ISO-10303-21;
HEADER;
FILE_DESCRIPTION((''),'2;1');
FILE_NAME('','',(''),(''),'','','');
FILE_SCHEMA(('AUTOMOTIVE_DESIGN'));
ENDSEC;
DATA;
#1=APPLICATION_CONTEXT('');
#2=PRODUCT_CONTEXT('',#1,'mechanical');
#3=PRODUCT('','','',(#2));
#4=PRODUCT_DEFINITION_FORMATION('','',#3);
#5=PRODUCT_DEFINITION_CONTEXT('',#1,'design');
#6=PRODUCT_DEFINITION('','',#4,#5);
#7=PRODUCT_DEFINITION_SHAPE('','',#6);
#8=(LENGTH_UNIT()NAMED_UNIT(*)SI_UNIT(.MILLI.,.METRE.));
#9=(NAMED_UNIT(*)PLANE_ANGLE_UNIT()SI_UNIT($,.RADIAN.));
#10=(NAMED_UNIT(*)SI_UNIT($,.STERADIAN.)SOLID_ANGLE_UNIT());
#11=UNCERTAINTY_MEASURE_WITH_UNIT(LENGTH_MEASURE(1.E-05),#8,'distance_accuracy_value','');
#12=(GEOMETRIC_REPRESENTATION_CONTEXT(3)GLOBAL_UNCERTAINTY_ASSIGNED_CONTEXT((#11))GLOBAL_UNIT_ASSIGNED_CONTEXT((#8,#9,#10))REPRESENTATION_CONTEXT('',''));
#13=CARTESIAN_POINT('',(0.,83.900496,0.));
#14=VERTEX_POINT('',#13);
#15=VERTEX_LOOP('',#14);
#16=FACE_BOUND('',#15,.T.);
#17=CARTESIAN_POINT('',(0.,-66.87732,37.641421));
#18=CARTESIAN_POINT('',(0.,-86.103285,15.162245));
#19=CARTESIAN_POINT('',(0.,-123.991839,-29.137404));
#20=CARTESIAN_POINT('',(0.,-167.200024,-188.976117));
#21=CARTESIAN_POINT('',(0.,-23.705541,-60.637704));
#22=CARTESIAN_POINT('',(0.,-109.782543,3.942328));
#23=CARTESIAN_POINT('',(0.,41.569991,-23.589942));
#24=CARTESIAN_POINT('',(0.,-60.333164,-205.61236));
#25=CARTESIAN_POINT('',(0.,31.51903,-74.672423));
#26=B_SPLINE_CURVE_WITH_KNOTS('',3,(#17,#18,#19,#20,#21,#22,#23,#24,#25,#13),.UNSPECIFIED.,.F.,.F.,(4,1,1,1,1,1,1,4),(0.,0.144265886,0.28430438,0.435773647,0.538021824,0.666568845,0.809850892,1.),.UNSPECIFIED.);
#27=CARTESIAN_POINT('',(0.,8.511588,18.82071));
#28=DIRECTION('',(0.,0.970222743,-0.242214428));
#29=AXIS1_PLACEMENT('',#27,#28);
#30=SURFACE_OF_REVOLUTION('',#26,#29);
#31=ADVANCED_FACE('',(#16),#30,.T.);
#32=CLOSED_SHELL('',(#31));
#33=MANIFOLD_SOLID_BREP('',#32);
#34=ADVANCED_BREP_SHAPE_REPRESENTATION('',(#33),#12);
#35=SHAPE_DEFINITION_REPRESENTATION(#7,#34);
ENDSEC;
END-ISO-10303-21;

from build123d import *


with BuildPart() as f1:
    # F0 (on Right) → F1 (revolve)
    with BuildSketch(Plane.YZ):
        with BuildLine():
            Line((83.9004963636, 0), (-66.8773204088, 37.6414209604))
            add(Edge.make_bspline(
                [(-66.8773204088, 37.6414209604), (-86.1032846332, 15.162245312), (-123.9918387869, -29.1374035351), (-167.2000238215, -188.9761165696), (-23.7055412426, -60.6377037021), (-109.7825427059, 3.9423283474), (41.5699909033, -23.5899422966), (-60.3331642976, -205.6123596624), (31.5190300017, -74.6724228718), (83.9004963636, 0)],
                knots=[0, 0, 0, 0, 0.1442658862, 0.2843043802, 0.4357736471, 0.5380218238, 0.6665688449, 0.8098508917, 1, 1, 1, 1], degree=3))
        make_face()
    revolve(axis=Axis((0, 8.5115879774, 18.8207104802), (0, 0.9702227428, -0.2422144283)))


solid = f1.part
